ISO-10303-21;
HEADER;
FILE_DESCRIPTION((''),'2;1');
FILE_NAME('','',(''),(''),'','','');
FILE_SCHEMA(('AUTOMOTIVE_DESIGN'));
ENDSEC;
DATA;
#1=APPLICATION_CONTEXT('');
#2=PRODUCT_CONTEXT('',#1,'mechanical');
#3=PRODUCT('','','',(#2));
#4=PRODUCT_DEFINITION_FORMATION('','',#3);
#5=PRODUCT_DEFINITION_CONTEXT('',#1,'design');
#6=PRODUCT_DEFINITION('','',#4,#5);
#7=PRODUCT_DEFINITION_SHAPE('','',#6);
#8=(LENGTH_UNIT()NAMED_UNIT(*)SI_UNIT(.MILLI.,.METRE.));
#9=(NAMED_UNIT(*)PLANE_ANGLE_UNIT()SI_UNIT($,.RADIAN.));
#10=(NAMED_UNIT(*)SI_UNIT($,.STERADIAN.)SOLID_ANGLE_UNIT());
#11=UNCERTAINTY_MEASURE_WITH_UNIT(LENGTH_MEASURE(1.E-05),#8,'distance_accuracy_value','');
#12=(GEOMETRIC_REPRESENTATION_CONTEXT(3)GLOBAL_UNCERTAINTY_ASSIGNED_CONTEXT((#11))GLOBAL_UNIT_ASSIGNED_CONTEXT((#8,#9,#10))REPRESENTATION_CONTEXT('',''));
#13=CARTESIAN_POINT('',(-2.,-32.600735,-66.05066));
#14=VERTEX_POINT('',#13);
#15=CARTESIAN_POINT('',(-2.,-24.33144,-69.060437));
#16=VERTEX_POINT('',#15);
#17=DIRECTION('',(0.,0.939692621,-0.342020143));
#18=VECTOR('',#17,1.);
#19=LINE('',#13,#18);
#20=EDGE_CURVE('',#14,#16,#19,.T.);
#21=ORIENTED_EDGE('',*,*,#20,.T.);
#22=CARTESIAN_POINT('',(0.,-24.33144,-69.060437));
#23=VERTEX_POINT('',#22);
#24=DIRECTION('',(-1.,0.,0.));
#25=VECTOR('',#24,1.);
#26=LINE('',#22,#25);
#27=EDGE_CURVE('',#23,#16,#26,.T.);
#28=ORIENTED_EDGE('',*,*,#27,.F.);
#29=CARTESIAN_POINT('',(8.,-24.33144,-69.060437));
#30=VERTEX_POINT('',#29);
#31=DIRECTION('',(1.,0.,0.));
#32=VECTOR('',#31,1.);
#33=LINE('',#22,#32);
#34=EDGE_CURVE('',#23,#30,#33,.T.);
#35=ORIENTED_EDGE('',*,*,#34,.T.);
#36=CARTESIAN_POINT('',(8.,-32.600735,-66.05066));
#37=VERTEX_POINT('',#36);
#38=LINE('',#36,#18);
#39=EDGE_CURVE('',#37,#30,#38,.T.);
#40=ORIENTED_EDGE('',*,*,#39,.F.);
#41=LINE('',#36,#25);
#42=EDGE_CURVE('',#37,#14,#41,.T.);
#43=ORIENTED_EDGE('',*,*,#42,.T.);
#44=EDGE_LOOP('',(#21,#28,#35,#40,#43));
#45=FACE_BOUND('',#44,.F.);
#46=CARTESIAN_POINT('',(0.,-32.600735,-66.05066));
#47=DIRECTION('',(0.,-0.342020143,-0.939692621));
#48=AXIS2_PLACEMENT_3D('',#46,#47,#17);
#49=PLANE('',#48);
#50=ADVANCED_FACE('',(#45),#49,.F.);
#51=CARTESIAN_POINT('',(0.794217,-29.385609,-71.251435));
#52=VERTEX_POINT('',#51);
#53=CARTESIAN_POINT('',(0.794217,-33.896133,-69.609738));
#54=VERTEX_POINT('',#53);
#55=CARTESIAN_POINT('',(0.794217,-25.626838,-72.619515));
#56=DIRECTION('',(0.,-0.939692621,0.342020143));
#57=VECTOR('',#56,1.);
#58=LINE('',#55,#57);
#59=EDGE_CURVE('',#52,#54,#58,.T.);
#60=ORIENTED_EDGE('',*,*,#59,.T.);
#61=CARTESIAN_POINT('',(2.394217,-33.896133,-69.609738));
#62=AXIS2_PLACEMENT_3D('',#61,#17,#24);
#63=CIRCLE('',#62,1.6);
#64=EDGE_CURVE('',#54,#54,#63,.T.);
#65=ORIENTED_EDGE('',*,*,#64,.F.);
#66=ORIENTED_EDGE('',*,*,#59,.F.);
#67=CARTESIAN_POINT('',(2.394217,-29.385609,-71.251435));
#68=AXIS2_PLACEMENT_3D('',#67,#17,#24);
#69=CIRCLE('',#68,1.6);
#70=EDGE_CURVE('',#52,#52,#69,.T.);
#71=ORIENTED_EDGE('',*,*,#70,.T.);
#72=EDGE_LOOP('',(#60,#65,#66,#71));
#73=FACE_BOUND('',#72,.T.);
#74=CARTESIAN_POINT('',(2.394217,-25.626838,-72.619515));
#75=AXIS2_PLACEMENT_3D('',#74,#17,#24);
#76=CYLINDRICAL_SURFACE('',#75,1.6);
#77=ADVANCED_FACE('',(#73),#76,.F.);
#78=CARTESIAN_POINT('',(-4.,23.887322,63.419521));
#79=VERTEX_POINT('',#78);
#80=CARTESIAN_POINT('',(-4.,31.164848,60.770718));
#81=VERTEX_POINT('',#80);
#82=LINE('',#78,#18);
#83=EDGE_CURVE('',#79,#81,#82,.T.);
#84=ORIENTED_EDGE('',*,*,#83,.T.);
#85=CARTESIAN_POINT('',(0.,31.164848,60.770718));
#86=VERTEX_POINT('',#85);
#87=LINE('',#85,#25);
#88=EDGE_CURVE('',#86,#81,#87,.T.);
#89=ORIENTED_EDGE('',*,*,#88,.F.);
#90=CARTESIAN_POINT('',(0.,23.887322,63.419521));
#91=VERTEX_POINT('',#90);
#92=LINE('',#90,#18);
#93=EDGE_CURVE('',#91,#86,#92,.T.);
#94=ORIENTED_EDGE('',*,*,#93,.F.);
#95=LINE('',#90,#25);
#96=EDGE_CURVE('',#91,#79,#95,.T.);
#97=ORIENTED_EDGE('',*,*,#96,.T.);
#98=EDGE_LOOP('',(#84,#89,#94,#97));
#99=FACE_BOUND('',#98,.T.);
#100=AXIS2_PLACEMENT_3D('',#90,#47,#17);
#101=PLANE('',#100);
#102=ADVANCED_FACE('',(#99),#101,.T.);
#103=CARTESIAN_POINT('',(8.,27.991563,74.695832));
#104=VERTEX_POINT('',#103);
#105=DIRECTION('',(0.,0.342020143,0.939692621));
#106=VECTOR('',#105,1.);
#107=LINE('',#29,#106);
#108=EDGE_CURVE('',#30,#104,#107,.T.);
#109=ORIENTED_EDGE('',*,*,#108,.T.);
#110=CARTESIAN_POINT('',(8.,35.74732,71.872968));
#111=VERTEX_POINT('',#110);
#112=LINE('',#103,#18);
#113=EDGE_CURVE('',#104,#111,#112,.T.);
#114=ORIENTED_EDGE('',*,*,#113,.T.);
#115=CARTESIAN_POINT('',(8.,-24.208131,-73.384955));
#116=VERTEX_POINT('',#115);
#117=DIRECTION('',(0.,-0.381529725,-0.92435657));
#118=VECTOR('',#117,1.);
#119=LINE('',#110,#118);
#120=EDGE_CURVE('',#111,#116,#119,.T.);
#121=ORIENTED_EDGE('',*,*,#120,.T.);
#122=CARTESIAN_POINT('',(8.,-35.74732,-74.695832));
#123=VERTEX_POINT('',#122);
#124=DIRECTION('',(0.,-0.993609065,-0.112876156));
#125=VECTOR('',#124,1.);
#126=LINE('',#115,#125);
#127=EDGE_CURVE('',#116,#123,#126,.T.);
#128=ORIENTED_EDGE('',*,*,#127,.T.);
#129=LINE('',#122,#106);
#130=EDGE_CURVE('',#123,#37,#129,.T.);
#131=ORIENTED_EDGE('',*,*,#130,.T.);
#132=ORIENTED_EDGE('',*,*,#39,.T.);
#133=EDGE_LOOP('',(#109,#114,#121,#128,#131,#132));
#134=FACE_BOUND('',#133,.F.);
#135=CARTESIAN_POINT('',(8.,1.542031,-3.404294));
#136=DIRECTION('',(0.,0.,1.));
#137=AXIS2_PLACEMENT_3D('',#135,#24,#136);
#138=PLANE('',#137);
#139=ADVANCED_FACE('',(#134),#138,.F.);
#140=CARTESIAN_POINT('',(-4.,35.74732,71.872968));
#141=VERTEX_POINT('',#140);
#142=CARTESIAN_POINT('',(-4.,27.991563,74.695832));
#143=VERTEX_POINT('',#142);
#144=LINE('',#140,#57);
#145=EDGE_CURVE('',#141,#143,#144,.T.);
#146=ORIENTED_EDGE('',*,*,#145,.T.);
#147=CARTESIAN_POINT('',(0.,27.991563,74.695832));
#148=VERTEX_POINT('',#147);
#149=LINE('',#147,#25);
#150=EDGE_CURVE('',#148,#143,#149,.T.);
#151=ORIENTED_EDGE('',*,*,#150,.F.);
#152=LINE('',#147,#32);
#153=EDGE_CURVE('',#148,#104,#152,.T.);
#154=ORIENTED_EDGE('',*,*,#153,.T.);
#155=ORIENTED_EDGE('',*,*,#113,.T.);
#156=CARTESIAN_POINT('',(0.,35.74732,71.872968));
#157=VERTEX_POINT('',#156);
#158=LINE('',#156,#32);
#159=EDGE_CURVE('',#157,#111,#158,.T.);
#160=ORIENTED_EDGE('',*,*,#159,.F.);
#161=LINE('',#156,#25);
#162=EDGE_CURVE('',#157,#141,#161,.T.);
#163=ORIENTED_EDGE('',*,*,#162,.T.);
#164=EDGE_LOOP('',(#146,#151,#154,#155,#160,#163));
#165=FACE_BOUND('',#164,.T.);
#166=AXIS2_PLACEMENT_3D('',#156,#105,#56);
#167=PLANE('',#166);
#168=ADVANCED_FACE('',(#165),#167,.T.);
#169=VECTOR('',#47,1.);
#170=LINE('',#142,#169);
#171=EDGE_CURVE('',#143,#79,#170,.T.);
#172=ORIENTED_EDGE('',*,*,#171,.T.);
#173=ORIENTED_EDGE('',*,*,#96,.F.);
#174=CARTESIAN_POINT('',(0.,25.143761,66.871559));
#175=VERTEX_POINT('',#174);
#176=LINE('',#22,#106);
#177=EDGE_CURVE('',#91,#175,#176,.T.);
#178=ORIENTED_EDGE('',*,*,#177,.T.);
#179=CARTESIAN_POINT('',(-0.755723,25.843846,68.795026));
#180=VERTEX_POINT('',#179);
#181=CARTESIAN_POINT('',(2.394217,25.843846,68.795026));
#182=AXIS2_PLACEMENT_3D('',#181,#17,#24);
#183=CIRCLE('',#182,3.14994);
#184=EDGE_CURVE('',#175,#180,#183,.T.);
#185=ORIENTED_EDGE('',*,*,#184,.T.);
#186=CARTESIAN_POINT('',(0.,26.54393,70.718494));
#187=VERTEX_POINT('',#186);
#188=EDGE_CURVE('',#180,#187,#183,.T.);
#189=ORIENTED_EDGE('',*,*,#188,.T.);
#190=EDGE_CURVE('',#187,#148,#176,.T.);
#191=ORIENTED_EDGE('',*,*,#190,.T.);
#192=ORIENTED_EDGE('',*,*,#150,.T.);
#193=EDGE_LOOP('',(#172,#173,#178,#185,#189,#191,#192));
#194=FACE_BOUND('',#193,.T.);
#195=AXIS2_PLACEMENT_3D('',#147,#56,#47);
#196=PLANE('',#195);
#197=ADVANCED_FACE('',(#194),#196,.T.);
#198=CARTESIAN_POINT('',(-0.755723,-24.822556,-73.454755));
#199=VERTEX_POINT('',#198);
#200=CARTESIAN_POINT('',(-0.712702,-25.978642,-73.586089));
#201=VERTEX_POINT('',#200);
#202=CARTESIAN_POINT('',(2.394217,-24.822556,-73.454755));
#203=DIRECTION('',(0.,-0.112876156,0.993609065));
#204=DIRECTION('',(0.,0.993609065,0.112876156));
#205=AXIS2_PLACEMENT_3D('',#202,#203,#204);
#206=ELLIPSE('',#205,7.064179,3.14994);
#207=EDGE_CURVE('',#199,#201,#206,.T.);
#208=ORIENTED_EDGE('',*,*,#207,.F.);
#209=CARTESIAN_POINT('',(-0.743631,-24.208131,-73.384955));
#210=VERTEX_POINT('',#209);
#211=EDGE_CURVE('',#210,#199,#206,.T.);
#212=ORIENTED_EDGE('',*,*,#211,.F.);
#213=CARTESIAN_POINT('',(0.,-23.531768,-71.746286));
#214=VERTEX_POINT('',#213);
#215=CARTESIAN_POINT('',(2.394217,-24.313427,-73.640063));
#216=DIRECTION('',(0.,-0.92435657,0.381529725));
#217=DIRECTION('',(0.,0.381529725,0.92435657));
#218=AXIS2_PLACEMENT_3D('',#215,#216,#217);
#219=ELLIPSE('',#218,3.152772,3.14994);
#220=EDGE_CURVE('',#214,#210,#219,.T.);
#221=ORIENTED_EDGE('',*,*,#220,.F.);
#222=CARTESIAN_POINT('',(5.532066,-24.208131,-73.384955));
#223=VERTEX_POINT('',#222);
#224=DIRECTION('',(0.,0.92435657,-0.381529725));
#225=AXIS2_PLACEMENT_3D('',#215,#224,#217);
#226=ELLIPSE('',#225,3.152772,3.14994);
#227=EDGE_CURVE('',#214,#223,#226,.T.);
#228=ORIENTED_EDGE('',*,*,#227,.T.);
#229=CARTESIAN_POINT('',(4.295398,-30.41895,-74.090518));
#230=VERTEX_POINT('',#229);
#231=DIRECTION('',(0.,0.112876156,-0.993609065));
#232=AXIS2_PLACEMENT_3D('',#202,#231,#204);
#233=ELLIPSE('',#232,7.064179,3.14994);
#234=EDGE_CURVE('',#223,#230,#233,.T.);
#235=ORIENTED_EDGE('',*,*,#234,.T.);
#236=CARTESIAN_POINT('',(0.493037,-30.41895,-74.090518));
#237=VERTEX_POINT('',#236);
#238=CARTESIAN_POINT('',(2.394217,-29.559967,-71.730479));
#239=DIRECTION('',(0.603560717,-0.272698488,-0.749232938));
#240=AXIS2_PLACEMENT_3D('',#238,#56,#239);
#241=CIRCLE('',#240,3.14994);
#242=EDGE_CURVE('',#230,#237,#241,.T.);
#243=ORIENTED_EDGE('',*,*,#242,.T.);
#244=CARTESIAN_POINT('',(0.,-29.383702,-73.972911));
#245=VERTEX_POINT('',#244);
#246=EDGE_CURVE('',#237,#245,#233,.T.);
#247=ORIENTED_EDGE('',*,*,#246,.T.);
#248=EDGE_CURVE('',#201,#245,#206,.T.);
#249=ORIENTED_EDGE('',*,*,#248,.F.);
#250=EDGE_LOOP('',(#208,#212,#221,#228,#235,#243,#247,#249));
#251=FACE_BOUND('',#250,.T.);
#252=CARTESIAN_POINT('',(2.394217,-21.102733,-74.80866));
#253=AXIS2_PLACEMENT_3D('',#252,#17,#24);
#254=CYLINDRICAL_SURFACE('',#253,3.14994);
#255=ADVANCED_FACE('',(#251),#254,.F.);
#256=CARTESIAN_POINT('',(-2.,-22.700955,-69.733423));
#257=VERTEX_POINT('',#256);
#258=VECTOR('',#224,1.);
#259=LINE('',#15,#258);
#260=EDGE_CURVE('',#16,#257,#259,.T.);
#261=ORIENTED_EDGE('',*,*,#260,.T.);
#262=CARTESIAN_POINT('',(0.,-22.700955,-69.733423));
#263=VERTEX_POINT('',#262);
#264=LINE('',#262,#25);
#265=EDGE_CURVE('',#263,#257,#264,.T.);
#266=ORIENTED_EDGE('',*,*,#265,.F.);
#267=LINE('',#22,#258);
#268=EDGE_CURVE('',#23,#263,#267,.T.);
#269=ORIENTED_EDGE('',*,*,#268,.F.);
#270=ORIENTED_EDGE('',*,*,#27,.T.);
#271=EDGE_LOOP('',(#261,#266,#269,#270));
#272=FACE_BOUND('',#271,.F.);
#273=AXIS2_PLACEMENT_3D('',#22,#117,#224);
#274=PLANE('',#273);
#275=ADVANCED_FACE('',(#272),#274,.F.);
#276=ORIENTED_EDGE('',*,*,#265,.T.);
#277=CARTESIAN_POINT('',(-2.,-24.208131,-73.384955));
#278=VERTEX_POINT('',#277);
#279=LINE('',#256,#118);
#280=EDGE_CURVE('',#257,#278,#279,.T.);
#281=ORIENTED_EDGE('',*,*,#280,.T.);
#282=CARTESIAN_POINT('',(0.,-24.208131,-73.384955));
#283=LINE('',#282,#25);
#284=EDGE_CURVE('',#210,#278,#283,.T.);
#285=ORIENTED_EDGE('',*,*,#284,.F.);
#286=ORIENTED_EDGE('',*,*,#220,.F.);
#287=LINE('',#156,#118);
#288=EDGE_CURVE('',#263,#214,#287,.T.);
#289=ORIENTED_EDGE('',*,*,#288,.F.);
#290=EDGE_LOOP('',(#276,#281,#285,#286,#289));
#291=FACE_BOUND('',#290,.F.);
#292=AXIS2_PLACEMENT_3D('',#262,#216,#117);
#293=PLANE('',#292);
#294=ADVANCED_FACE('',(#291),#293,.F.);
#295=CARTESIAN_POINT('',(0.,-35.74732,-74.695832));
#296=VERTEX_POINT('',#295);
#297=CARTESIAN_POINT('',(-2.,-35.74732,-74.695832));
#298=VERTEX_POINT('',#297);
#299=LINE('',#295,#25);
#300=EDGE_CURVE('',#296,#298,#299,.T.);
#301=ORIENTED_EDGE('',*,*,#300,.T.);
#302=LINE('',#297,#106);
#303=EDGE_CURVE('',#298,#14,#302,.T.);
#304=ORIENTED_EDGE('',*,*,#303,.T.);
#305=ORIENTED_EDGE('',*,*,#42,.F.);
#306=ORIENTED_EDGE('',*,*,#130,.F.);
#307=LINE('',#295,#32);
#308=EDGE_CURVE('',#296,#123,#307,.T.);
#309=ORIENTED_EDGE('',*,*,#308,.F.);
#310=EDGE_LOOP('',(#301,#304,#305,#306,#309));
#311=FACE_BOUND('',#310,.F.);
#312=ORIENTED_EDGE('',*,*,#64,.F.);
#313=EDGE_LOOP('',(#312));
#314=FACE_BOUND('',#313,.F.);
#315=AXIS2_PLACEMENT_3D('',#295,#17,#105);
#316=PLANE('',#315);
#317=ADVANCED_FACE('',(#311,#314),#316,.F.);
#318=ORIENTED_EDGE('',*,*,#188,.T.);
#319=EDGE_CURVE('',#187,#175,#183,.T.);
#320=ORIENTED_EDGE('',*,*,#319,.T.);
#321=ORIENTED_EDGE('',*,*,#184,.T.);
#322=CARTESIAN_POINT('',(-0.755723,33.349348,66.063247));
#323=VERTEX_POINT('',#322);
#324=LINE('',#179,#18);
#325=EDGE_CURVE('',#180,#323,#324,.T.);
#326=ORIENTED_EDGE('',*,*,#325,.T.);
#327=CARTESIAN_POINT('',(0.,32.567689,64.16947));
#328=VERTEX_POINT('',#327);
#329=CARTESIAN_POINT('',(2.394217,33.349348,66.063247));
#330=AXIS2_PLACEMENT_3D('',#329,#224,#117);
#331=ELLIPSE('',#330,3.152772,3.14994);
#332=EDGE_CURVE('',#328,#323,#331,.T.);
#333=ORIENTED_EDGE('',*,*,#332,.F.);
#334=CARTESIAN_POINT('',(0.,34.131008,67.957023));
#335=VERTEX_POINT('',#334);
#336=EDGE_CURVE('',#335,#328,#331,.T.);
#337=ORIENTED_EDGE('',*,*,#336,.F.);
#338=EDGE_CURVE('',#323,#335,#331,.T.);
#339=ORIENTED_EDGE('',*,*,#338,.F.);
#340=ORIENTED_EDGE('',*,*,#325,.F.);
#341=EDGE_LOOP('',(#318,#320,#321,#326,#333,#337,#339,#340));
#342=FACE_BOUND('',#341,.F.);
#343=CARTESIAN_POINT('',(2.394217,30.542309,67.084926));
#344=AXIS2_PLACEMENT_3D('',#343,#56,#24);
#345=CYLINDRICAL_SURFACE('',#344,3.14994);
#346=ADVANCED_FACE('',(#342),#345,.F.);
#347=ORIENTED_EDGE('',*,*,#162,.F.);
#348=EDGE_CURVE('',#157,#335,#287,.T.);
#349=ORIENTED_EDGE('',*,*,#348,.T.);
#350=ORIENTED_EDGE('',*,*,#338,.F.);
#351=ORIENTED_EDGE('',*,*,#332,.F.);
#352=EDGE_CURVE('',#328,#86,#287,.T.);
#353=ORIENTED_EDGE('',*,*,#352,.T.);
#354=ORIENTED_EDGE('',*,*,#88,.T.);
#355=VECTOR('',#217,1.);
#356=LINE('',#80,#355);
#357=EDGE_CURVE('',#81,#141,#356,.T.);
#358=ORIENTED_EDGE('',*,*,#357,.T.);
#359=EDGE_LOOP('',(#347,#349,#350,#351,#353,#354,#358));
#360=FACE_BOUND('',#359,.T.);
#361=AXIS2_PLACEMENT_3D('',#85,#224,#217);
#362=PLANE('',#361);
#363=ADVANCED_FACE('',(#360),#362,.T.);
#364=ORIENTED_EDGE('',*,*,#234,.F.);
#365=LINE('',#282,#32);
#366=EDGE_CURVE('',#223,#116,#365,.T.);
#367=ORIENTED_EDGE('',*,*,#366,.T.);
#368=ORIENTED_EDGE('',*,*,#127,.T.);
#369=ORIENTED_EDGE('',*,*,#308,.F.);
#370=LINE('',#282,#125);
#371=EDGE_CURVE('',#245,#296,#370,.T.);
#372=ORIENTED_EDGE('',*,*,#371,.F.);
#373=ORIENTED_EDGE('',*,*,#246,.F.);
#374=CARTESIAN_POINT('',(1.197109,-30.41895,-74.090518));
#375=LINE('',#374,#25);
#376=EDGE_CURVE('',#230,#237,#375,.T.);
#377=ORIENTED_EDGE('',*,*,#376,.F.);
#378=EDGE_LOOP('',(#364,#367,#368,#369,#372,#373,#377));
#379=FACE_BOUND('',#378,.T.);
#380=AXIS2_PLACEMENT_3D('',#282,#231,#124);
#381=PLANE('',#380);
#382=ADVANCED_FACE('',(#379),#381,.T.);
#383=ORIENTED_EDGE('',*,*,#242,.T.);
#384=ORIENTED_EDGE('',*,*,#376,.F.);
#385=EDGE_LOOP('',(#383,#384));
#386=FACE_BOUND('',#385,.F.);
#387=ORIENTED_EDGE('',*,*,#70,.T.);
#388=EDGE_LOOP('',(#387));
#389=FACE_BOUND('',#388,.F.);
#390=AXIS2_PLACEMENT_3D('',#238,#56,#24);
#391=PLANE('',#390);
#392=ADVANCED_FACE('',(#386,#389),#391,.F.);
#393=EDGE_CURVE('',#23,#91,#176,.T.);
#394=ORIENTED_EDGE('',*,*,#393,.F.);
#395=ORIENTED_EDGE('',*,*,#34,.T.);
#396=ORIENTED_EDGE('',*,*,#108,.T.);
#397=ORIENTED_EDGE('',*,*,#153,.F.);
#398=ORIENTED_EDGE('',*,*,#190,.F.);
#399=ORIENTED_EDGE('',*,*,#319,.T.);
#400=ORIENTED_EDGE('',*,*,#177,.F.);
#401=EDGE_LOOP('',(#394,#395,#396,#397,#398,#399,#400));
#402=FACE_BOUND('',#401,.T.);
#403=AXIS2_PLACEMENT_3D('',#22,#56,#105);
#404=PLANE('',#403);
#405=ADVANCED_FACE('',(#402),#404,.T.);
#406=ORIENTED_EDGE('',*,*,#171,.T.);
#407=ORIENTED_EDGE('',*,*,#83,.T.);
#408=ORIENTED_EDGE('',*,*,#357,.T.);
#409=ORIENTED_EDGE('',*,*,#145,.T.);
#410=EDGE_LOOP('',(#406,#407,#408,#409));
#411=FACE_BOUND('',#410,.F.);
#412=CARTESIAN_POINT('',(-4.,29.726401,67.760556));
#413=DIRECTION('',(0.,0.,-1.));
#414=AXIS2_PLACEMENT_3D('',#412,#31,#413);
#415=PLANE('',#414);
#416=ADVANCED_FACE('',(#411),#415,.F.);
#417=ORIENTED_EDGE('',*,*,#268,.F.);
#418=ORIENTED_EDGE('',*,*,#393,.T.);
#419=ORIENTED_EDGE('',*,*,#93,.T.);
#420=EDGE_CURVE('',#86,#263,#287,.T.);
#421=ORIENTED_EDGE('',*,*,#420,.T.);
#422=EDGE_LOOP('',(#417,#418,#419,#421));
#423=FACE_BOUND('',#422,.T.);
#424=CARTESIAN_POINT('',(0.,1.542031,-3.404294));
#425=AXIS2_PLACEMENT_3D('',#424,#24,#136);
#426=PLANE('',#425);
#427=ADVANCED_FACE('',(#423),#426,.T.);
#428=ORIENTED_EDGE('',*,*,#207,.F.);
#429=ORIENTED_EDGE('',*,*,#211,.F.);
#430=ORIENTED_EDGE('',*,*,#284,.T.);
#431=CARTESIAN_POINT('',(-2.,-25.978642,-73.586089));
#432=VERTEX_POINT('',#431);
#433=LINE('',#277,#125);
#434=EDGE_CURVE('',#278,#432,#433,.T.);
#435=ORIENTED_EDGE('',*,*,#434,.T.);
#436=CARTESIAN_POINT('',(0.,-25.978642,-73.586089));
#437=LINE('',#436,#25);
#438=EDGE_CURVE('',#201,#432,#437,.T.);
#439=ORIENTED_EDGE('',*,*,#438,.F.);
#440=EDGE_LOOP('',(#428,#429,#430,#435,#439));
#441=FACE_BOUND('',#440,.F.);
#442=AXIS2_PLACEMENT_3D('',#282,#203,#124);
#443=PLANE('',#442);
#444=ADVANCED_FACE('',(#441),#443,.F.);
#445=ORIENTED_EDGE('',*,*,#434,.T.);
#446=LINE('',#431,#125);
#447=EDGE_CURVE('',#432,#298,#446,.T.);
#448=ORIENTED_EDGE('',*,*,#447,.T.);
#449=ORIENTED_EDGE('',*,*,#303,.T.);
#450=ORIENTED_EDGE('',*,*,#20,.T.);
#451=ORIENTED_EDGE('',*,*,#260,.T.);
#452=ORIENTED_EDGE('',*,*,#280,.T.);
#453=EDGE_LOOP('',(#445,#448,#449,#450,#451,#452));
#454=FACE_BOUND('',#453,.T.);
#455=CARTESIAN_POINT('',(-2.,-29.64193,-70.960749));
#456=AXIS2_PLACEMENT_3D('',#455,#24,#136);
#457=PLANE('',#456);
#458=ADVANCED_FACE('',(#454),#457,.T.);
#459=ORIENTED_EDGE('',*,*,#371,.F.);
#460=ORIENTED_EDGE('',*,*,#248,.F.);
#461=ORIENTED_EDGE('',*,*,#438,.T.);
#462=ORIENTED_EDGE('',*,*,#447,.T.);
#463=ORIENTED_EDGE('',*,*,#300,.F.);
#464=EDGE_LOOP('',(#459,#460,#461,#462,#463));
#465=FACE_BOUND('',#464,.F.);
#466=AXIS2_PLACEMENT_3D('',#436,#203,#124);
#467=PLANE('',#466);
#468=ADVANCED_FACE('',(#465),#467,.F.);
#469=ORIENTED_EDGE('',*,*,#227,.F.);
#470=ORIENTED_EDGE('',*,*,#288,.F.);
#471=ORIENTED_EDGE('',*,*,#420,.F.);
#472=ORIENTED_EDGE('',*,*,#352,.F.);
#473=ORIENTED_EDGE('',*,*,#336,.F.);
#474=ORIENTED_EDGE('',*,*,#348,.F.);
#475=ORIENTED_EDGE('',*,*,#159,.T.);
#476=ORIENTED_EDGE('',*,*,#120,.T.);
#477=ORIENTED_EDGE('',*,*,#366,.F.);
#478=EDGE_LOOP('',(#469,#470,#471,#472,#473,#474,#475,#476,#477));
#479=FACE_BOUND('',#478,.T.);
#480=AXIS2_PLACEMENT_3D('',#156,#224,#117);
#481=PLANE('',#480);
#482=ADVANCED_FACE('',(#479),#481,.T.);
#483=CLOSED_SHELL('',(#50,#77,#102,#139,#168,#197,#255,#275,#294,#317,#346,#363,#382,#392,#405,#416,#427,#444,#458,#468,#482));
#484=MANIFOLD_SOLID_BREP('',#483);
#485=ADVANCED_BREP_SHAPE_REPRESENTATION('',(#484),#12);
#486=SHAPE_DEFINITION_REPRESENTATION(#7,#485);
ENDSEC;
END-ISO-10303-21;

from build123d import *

# Parameters (mm, degrees)
BOSS_EXTRUDE1_DEPTH     = 8
BOSS_EXTRUDE2_DEPTH     = 4
BOSS_EXTRUDE3_DEPTH     = 2
CUT_EXTRUDE1_DEPTH      = 12
CUT_EXTRUDE1_DEPTH_BACK = 84.733662739
SKETCH4_R               = 1.6
SKETCH5_R               = 3.149940151
CUT_EXTRUDE2_DEPTH      = 10
CUT_EXTRUDE3_START      = 9
SKETCH5_2_R             = 3.149940151
CUT_EXTRUDE3_DEPTH      = 9


with BuildPart() as part:
    # Sketch1 → Boss-Extrude1 (new body)
    with BuildSketch(Plane(origin=(0, 0, 0), x_dir=(0, 0, -1), z_dir=(1, 0, 0))):
        Polygon((-74.695832275, 27.991563326), (-71.872967623, 35.747320216), (73.384955245, -24.208131169), (74.695832275, -35.747320216), (66.050660164, -32.600734897), (69.060437425, -24.331439834), align=None)
    extrude(amount=BOSS_EXTRUDE1_DEPTH)

    # Sketch2 → Boss-Extrude2 (add)
    with BuildSketch(Plane.ZY):
        Polygon((74.695832275, 27.991563326), (63.419520826, 23.887321606), (60.770717842, 31.164847991), (71.872967623, 35.747320216), align=None)
    extrude(amount=BOSS_EXTRUDE2_DEPTH)

    # Sketch6 → Boss-Extrude3 (add)
    with BuildSketch(Plane.ZY):
        Polygon((-74.695832275, -35.747320216), (-66.050660164, -32.600734897), (-69.060437425, -24.331439834), (-69.733422771, -22.700955013), (-73.384955245, -24.208131169), (-73.586089176, -25.978642362), align=None)
    extrude(amount=BOSS_EXTRUDE3_DEPTH)

    # Sketch4 → Cut-Extrude1 (cut, two sides: drawn at the far end of the back side and taken through both)
    with BuildSketch(Plane(origin=(0, 0.710394692, -0.258562522), x_dir=(-1, 0, 0), z_dir=(0, -0.9396926207859069, 0.3420201433256729)).offset(-CUT_EXTRUDE1_DEPTH_BACK)):
        with Locations((-2.394217395, -73.485294271)):
            Circle(SKETCH4_R)
        with Locations((-2.394217395, 77.00491749)):
            Circle(SKETCH4_R)
    extrude(amount=CUT_EXTRUDE1_DEPTH + CUT_EXTRUDE1_DEPTH_BACK, mode=Mode.SUBTRACT)

    # Sketch5 → Cut-Extrude2 (cut)
    with BuildSketch(Plane(origin=(0, 5.408857796, -1.968663239), x_dir=(-1, 0, 0), z_dir=(0, -0.9396926207859069, 0.3420201433256729))):
        with Locations((-2.394217395, -73.485294271)):
            Circle(SKETCH5_R)
        with Locations((-2.394217395, 77.514705729)):
            Circle(SKETCH5_R)
    extrude(amount=-CUT_EXTRUDE2_DEPTH, mode=Mode.SUBTRACT)

    # Sketch5<2> → Cut-Extrude3 (cut)
    with BuildSketch(Plane(origin=(0, 5.408857796, -1.968663239), x_dir=(-1, 0, 0), z_dir=(0, -0.9396926207859069, 0.3420201433256729)).offset(CUT_EXTRUDE3_START)):
        with Locations((-2.394217395, -73.485294271)):
            Circle(SKETCH5_2_R)
        with Locations((-2.394217395, 77.514705729)):
            Circle(SKETCH5_2_R)
    extrude(amount=-CUT_EXTRUDE3_DEPTH, mode=Mode.SUBTRACT)


solid = part.part
